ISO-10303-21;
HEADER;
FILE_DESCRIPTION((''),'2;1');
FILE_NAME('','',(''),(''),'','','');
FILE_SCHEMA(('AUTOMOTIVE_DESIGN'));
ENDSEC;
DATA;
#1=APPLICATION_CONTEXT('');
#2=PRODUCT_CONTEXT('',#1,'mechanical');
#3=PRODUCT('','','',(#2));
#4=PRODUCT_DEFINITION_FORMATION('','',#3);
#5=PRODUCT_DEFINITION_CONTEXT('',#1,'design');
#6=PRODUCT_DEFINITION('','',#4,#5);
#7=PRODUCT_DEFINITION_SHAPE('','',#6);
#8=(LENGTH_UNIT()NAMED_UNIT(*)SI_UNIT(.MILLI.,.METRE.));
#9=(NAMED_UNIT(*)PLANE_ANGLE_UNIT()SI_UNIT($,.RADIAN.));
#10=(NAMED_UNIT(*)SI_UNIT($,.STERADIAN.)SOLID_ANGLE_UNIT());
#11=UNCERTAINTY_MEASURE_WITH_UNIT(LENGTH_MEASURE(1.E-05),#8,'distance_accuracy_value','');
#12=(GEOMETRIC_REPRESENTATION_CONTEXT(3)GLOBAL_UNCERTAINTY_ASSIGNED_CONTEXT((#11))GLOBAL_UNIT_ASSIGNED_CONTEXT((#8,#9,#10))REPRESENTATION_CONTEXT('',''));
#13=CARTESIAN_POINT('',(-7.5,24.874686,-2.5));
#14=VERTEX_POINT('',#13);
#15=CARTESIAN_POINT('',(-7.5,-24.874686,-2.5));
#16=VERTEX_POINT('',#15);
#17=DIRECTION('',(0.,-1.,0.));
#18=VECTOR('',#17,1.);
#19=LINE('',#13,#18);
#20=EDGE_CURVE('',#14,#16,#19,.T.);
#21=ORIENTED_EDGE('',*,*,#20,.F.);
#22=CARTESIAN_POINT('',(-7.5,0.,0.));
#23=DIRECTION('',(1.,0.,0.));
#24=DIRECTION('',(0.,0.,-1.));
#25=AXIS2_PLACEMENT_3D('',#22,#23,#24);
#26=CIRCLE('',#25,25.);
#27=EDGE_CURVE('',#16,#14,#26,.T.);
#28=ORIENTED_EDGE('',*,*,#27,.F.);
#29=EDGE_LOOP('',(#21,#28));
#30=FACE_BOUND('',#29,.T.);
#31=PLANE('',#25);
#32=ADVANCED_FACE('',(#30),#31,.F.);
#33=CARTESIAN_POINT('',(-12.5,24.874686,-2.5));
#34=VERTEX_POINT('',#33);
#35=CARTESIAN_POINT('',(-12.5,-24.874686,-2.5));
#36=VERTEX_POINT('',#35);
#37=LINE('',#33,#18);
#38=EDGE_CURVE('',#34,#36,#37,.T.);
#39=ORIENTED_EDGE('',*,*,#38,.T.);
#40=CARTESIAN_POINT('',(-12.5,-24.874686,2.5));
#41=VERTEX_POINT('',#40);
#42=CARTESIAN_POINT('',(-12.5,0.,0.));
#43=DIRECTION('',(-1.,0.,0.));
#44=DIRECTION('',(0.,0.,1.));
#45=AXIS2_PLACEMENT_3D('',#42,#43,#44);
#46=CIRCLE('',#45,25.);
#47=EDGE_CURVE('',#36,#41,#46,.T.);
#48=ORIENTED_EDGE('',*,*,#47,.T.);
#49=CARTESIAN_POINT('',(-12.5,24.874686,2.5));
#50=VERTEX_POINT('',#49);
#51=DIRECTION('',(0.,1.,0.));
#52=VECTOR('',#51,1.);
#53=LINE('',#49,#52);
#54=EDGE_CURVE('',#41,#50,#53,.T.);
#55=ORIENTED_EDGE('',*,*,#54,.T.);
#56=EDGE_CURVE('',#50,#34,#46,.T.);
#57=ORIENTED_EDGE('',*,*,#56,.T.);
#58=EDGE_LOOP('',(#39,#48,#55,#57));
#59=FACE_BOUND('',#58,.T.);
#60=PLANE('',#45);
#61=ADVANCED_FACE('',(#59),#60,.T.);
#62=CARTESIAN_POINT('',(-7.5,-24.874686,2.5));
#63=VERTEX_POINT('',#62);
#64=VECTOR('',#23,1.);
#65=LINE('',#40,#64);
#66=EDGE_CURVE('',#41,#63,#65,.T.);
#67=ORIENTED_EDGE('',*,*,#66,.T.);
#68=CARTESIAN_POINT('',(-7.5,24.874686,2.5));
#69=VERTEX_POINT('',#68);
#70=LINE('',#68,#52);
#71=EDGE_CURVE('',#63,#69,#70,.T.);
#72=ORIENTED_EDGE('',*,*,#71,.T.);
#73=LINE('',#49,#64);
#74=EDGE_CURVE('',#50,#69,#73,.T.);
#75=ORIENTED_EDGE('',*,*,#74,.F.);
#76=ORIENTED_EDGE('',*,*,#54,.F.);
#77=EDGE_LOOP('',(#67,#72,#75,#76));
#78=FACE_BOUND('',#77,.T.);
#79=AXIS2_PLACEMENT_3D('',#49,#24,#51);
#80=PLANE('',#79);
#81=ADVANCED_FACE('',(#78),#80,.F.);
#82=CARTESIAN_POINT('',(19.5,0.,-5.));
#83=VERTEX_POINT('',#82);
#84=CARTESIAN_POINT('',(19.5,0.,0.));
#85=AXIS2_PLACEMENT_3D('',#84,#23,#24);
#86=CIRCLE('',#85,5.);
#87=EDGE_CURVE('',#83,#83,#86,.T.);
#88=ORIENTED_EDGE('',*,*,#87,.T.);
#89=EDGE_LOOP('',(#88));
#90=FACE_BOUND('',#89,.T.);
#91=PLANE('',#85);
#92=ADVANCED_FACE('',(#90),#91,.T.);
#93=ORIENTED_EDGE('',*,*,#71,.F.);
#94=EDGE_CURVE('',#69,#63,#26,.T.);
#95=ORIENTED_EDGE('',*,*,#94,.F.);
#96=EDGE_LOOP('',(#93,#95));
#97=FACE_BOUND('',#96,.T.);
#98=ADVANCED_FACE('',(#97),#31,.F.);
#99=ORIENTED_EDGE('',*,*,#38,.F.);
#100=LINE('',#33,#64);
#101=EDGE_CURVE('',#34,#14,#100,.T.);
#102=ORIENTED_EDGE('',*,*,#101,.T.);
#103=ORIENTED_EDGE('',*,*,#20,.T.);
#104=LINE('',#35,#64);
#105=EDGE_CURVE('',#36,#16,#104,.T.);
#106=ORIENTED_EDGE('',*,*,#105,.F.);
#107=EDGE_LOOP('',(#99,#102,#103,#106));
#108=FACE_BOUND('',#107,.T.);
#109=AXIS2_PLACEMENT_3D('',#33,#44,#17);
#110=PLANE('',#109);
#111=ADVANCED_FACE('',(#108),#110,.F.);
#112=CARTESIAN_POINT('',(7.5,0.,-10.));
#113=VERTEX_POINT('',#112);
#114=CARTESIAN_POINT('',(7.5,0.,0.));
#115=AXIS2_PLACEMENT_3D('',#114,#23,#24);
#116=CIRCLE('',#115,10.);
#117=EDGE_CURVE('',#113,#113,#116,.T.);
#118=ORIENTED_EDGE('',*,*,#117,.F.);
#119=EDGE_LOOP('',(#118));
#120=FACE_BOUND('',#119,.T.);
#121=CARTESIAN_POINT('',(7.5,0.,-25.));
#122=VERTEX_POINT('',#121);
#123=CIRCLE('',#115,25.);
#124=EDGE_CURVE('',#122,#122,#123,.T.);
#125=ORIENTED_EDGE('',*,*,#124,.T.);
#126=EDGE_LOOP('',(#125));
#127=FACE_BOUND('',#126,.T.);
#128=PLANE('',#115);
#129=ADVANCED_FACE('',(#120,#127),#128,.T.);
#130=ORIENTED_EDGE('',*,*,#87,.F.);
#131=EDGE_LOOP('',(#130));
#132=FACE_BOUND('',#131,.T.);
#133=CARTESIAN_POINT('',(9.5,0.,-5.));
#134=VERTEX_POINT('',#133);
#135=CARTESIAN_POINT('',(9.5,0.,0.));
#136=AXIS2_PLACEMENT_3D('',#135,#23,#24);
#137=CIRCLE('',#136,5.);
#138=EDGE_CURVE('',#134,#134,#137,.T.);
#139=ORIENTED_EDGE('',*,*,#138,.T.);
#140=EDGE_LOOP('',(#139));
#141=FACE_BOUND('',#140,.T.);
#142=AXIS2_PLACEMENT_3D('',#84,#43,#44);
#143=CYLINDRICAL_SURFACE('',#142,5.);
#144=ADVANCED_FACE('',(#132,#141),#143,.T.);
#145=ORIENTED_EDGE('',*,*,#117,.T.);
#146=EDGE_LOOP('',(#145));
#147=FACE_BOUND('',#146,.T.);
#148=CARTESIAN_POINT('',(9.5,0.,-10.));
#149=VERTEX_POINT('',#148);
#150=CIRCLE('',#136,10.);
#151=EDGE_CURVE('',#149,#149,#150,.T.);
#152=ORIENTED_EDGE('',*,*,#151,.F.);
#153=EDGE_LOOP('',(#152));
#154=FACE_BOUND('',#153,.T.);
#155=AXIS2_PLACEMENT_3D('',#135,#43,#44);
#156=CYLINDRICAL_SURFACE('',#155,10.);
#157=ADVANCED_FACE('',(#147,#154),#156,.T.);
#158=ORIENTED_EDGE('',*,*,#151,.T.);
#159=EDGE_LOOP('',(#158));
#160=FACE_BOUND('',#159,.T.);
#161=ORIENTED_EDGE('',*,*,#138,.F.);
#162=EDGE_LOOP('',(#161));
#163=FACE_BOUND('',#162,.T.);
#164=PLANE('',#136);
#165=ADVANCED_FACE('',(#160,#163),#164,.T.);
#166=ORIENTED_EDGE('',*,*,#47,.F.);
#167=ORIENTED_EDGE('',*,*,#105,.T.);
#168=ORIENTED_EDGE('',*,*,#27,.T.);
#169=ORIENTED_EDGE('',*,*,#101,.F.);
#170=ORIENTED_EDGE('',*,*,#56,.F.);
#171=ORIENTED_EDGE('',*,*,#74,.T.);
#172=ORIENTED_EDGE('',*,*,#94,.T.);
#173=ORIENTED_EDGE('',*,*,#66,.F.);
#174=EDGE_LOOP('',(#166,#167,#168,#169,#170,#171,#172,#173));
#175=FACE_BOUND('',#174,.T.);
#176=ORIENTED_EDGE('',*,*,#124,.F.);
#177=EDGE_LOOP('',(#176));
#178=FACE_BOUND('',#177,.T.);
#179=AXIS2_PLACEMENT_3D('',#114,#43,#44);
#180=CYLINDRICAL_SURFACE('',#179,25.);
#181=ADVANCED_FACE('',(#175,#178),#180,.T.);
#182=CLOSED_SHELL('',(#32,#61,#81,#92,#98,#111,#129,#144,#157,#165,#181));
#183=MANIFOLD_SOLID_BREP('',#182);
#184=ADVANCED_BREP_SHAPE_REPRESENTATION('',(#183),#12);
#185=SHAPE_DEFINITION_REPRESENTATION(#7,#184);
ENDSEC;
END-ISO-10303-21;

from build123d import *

# Parameters (mm, degrees)
SKETCH1_R           = 25
BOSS_EXTRUDE1_DEPTH = 7.5
SKETCH2_R           = 5
BOSS_EXTRUDE2_DEPTH = 12
BOSS_EXTRUDE3_DEPTH = 5
SKETCH4_R           = 10
BOSS_EXTRUDE4_DEPTH = 2


with BuildPart() as part:
    # Sketch1 → Boss-Extrude1 (new, symmetric)
    with BuildSketch(Plane(origin=(0, 0, 0), x_dir=(0, 0, -1), z_dir=(1, 0, 0))):
        Circle(SKETCH1_R)
    extrude(amount=BOSS_EXTRUDE1_DEPTH, both=True)

    # Sketch2 → Boss-Extrude2 (add)
    with BuildSketch(Plane(origin=(7.5, 0, 0), x_dir=(0, 0, -1), z_dir=(1, 0, 0))):
        Circle(SKETCH2_R)
    extrude(amount=BOSS_EXTRUDE2_DEPTH)

    # Sketch3 → Boss-Extrude3 (add)
    with BuildSketch(Plane.ZY.offset(7.5)):
        with BuildLine():
            Line((2.5, 24.874685928), (2.5, -24.874685928))
            ThreePointArc((2.5, -24.874685928), (0, -25), (-2.5, -24.874685928))
            Line((-2.5, -24.874685928), (-2.5, 24.874685928))
            ThreePointArc((-2.5, 24.874685928), (0, 25), (2.5, 24.874685928))
        make_face()
    extrude(amount=BOSS_EXTRUDE3_DEPTH)

    # Sketch4 → Boss-Extrude4 (add)
    with BuildSketch(Plane(origin=(7.5, 0, 0), x_dir=(0, 0, -1), z_dir=(1, 0, 0))):
        Circle(SKETCH4_R)
    extrude(amount=BOSS_EXTRUDE4_DEPTH)


solid = part.part
